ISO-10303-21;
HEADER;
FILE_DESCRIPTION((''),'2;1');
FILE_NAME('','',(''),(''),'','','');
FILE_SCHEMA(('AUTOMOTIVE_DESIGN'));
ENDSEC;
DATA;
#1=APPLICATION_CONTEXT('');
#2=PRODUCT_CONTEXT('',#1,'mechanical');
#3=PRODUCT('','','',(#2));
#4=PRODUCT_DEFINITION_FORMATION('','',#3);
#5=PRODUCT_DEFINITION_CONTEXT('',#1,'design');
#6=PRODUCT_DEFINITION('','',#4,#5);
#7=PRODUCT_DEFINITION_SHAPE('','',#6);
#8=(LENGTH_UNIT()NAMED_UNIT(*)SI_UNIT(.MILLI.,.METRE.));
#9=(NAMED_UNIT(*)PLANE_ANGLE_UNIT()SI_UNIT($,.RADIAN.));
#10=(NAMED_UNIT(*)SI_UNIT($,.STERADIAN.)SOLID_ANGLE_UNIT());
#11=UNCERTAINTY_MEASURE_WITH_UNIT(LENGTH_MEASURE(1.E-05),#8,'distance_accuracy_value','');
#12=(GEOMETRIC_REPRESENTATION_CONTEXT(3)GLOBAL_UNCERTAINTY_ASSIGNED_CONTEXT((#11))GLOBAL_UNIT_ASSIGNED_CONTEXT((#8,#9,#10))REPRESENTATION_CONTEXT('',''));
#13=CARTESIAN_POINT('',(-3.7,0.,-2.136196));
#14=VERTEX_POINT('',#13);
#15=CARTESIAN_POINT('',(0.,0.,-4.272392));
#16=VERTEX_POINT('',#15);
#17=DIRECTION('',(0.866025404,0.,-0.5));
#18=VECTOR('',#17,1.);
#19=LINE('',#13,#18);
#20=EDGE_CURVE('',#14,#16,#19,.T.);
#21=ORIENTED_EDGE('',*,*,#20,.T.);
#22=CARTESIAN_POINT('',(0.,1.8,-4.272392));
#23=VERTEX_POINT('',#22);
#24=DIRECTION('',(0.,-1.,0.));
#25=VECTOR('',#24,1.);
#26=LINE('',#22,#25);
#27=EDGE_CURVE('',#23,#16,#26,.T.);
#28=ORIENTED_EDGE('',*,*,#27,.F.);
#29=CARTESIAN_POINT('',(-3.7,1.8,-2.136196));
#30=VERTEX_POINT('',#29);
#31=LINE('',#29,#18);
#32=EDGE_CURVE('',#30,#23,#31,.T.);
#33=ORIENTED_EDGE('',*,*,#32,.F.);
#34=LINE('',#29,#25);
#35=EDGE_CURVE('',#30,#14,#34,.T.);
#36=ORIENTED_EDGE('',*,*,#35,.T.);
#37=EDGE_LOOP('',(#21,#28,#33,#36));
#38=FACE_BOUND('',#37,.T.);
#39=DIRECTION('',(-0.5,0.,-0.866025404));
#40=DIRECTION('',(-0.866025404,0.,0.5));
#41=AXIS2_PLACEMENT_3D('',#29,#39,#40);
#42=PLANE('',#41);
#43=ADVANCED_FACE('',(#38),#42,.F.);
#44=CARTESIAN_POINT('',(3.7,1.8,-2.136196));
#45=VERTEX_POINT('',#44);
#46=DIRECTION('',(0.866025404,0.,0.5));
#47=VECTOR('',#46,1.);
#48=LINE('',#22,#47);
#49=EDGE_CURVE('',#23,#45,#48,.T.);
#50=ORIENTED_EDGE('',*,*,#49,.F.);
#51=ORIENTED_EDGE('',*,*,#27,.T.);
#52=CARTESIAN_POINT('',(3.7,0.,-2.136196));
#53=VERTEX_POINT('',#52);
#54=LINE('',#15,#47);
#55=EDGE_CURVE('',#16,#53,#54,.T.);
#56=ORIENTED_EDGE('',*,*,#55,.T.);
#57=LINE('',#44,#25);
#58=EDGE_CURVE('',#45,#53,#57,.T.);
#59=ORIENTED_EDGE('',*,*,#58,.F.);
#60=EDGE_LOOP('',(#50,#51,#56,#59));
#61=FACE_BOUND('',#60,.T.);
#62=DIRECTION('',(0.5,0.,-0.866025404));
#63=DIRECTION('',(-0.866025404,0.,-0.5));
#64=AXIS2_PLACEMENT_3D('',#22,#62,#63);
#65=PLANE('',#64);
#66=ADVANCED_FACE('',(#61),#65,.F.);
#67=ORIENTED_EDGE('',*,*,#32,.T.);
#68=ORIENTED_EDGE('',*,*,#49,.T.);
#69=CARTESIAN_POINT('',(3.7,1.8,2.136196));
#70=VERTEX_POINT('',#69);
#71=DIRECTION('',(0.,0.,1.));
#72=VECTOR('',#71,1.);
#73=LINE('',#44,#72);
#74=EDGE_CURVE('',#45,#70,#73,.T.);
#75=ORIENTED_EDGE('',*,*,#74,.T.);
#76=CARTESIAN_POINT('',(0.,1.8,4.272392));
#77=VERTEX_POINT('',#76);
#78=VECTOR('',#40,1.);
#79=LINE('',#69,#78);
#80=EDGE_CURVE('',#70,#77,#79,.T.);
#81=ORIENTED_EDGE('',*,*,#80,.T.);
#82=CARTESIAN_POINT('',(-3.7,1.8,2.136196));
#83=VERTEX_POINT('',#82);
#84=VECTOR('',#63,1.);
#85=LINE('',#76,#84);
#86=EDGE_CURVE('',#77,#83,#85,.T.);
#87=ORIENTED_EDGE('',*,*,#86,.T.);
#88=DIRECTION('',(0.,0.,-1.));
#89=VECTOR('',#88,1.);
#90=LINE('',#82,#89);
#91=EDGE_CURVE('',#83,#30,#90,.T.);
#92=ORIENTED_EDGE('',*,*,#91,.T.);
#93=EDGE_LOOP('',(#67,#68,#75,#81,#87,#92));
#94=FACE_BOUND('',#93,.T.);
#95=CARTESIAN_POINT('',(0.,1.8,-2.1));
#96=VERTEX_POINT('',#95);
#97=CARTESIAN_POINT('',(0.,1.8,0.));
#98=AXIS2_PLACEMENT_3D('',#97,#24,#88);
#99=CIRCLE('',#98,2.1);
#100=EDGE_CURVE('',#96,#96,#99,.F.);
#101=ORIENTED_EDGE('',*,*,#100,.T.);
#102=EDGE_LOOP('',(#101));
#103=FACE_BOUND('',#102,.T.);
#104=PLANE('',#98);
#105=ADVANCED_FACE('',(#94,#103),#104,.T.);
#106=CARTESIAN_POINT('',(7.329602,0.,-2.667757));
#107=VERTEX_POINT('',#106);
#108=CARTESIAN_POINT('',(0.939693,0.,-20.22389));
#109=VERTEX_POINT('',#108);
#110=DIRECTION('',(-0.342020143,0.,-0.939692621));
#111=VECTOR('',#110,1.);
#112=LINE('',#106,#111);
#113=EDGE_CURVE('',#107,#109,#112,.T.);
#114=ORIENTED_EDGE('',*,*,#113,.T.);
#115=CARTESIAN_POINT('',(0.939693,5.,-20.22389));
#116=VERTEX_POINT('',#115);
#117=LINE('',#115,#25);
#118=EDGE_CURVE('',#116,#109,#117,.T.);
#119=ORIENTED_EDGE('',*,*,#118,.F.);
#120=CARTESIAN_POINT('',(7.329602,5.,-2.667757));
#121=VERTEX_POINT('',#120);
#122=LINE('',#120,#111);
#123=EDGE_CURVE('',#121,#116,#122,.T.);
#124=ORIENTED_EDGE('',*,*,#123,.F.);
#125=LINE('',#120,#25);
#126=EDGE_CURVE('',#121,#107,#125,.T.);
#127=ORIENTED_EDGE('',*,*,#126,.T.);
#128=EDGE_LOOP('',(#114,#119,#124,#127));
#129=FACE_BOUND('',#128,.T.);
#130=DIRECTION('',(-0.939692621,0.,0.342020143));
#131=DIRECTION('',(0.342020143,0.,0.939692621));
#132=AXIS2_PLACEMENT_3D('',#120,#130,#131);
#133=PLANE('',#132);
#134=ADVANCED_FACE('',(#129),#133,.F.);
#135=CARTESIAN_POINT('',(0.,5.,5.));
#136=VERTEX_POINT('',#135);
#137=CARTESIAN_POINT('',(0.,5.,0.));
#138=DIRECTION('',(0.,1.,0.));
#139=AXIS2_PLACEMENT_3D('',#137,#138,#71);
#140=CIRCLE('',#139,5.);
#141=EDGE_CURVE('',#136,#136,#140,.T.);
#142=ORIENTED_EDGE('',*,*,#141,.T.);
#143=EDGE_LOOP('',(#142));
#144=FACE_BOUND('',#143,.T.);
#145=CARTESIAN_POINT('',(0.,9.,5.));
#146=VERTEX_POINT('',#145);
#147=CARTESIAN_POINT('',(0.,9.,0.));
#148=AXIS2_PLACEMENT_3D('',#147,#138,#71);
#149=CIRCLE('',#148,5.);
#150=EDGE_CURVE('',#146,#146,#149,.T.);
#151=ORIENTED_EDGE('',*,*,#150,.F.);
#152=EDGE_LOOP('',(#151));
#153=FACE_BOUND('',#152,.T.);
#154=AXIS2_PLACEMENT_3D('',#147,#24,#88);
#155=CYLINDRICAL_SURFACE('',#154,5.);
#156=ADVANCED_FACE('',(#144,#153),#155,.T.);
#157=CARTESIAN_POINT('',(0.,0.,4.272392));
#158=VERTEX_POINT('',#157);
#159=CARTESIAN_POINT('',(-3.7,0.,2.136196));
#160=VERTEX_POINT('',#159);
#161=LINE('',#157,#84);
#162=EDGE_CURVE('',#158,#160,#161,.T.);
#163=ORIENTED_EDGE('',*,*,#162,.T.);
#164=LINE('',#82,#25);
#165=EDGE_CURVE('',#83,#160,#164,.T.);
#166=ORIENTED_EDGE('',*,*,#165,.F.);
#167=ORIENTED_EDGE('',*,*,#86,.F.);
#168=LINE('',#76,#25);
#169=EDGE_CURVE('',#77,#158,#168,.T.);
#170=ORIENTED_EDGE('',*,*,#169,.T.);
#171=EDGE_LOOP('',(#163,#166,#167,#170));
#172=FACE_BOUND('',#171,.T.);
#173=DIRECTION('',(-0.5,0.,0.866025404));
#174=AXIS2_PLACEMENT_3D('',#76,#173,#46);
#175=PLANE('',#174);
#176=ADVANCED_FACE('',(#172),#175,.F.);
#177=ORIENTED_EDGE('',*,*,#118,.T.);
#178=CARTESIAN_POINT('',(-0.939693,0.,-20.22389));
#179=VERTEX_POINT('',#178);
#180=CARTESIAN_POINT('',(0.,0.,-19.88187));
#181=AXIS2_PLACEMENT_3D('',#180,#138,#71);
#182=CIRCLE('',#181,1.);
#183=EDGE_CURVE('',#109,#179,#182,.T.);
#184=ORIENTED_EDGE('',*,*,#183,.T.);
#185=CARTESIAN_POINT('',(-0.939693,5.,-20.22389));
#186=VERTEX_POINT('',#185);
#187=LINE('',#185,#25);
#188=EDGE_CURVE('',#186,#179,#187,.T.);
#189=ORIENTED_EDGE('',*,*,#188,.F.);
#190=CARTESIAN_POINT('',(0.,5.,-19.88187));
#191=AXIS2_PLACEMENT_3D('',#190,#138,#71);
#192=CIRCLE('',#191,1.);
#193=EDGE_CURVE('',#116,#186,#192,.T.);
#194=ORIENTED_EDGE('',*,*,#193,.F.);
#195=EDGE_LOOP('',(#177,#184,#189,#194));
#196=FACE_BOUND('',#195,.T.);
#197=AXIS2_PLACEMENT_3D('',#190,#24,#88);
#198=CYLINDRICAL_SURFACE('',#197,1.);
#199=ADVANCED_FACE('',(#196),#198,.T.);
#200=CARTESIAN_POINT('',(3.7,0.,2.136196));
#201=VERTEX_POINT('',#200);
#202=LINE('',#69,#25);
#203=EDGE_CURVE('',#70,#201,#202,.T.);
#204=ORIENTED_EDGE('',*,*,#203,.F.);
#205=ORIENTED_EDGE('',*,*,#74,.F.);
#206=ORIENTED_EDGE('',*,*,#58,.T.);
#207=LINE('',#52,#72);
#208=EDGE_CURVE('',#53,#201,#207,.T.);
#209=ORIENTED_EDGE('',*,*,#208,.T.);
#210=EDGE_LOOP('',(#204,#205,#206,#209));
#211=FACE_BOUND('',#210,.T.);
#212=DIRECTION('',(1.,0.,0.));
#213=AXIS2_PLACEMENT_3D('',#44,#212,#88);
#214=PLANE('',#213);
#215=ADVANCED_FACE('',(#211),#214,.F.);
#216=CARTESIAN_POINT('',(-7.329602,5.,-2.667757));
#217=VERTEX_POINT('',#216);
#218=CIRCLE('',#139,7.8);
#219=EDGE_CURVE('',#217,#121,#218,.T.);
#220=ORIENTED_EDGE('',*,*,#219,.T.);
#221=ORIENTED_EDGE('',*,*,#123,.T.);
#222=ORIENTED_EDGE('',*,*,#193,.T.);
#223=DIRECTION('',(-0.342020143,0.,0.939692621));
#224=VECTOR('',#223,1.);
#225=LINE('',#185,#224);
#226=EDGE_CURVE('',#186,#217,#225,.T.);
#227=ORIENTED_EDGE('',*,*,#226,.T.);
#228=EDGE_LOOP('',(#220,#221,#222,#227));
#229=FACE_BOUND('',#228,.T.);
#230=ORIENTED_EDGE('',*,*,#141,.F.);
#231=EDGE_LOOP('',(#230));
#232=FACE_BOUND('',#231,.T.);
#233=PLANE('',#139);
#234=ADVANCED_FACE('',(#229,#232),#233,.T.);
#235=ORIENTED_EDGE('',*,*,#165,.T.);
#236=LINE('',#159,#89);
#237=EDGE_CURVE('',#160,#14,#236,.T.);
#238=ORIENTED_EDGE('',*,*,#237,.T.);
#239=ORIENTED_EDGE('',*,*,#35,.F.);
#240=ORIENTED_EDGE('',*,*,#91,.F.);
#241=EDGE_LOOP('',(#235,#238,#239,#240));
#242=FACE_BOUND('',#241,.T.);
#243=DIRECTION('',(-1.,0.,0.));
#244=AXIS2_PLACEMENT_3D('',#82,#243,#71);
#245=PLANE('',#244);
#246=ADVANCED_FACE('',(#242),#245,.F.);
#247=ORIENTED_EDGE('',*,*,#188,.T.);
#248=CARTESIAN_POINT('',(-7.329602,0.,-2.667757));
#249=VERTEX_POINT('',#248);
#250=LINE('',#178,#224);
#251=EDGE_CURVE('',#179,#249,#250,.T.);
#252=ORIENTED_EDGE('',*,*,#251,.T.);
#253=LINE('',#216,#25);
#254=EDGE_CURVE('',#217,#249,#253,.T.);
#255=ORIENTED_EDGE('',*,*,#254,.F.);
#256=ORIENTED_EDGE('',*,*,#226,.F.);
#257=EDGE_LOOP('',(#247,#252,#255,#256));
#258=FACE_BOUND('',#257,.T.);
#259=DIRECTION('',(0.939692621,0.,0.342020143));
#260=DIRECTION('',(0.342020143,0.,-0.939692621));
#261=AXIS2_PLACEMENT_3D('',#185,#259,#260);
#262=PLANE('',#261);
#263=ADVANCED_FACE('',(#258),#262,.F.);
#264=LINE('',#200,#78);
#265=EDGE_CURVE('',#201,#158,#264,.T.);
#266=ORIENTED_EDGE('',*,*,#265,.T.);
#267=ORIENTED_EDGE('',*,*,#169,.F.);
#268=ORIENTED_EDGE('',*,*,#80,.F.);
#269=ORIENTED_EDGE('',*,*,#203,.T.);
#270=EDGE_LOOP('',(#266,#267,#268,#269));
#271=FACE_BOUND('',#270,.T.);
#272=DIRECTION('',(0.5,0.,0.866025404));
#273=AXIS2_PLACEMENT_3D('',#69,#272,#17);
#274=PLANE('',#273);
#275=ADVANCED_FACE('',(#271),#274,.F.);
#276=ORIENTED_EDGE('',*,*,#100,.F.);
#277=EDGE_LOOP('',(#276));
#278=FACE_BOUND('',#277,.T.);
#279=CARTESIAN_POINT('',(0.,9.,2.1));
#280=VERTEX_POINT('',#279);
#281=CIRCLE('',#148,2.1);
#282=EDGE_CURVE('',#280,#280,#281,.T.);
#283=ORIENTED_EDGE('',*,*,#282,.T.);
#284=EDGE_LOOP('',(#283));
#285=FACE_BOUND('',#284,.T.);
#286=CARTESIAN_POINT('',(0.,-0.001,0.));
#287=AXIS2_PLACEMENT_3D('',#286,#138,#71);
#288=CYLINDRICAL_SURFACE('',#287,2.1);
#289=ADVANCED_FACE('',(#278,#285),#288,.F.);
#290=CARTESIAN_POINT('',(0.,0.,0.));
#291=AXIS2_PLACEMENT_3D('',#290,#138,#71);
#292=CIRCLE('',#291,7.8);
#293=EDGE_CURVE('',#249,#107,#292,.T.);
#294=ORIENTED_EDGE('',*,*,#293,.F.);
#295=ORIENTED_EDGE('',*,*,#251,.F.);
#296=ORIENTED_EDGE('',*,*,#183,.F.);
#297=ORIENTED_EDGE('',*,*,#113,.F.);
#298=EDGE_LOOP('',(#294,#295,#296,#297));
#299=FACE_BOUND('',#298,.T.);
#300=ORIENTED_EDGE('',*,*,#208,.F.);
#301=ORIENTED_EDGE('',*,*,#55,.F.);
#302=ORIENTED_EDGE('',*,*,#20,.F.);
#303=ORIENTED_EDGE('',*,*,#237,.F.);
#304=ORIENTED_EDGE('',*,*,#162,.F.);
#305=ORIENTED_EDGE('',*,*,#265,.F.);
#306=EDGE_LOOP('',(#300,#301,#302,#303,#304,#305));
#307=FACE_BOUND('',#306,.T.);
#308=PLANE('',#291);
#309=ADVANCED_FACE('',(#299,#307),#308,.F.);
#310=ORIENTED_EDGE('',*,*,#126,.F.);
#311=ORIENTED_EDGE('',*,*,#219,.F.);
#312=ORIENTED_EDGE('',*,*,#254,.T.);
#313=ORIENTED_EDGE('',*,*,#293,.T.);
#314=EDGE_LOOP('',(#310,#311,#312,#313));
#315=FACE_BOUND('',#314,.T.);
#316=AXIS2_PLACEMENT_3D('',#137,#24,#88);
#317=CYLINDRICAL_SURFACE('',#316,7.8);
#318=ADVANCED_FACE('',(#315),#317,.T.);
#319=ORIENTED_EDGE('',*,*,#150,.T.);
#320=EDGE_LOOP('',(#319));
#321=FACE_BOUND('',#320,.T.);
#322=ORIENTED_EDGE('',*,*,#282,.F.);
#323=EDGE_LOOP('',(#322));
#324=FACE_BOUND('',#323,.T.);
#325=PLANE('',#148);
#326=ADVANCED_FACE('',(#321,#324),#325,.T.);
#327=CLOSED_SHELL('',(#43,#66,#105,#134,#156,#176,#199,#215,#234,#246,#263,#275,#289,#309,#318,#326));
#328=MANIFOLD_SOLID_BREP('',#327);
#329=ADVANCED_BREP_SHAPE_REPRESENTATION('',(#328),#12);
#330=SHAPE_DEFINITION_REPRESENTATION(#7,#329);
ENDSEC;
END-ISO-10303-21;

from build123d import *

# Parameters (mm, degrees)
BOSS_EXTRUDE2_DEPTH = 5
CUT_EXTRUDE1_REACH  = 7
SKETCH3_R           = 2.1
CUT_EXTRUDE3_DEPTH  = 1.8
SKETCH6_R           = 5
SKETCH6_R_2         = 2.1
BOSS_EXTRUDE3_DEPTH = 4


with BuildPart() as part:
    # Sketch1 → Boss-Extrude2 (new body)
    with BuildSketch(Plane(origin=(0, 0, 0), x_dir=(1, 0, 0), z_dir=(0, 1, 0))):
        with BuildLine():
            Line((-0.939692556, 20.223890242), (-7.329602442, 2.667757118))
            ThreePointArc((-7.329602442, 2.667757118), (0, -7.8), (7.329602442, 2.667757118))
            Line((7.329602442, 2.667757118), (0.939692556, 20.223890242))
            ThreePointArc((0.939692556, 20.223890242), (0, 20.881870053), (-0.939692556, 20.223890242))
        make_face()
    extrude(amount=BOSS_EXTRUDE2_DEPTH)

    # Sketch3 → Cut-Extrude1 (cut, up to next)
    with BuildSketch(Plane(origin=(0, 5, 0), x_dir=(1, 0, 0), z_dir=(0, 1, 0)), mode=Mode.PRIVATE) as cut_extrude1_sk1:
        Circle(SKETCH3_R)
    cut_extrude1_tool1 = extrude(cut_extrude1_sk1.sketch, amount=-CUT_EXTRUDE1_REACH, mode=Mode.PRIVATE) & part.part
    add(cut_extrude1_tool1.solids().sort_by_distance((0, 5, 0))[0], mode=Mode.SUBTRACT)

    # Sketch5 → Cut-Extrude3 (cut)
    with BuildSketch(Plane.XZ):
        Polygon((0, 4.272391992), (-3.7, 2.136195996), (-3.7, -2.136195996), (0, -4.272391992), (3.7, -2.136195996), (3.7, 2.136195996), align=None)
    extrude(amount=-CUT_EXTRUDE3_DEPTH, mode=Mode.SUBTRACT)

    # Sketch6 → Boss-Extrude3 (add)
    with BuildSketch(Plane(origin=(0, 5, 0), x_dir=(1, 0, 0), z_dir=(0, 1, 0))):
        Circle(SKETCH6_R)
        Circle(SKETCH6_R_2, mode=Mode.SUBTRACT)
    extrude(amount=BOSS_EXTRUDE3_DEPTH)


solid = part.part
